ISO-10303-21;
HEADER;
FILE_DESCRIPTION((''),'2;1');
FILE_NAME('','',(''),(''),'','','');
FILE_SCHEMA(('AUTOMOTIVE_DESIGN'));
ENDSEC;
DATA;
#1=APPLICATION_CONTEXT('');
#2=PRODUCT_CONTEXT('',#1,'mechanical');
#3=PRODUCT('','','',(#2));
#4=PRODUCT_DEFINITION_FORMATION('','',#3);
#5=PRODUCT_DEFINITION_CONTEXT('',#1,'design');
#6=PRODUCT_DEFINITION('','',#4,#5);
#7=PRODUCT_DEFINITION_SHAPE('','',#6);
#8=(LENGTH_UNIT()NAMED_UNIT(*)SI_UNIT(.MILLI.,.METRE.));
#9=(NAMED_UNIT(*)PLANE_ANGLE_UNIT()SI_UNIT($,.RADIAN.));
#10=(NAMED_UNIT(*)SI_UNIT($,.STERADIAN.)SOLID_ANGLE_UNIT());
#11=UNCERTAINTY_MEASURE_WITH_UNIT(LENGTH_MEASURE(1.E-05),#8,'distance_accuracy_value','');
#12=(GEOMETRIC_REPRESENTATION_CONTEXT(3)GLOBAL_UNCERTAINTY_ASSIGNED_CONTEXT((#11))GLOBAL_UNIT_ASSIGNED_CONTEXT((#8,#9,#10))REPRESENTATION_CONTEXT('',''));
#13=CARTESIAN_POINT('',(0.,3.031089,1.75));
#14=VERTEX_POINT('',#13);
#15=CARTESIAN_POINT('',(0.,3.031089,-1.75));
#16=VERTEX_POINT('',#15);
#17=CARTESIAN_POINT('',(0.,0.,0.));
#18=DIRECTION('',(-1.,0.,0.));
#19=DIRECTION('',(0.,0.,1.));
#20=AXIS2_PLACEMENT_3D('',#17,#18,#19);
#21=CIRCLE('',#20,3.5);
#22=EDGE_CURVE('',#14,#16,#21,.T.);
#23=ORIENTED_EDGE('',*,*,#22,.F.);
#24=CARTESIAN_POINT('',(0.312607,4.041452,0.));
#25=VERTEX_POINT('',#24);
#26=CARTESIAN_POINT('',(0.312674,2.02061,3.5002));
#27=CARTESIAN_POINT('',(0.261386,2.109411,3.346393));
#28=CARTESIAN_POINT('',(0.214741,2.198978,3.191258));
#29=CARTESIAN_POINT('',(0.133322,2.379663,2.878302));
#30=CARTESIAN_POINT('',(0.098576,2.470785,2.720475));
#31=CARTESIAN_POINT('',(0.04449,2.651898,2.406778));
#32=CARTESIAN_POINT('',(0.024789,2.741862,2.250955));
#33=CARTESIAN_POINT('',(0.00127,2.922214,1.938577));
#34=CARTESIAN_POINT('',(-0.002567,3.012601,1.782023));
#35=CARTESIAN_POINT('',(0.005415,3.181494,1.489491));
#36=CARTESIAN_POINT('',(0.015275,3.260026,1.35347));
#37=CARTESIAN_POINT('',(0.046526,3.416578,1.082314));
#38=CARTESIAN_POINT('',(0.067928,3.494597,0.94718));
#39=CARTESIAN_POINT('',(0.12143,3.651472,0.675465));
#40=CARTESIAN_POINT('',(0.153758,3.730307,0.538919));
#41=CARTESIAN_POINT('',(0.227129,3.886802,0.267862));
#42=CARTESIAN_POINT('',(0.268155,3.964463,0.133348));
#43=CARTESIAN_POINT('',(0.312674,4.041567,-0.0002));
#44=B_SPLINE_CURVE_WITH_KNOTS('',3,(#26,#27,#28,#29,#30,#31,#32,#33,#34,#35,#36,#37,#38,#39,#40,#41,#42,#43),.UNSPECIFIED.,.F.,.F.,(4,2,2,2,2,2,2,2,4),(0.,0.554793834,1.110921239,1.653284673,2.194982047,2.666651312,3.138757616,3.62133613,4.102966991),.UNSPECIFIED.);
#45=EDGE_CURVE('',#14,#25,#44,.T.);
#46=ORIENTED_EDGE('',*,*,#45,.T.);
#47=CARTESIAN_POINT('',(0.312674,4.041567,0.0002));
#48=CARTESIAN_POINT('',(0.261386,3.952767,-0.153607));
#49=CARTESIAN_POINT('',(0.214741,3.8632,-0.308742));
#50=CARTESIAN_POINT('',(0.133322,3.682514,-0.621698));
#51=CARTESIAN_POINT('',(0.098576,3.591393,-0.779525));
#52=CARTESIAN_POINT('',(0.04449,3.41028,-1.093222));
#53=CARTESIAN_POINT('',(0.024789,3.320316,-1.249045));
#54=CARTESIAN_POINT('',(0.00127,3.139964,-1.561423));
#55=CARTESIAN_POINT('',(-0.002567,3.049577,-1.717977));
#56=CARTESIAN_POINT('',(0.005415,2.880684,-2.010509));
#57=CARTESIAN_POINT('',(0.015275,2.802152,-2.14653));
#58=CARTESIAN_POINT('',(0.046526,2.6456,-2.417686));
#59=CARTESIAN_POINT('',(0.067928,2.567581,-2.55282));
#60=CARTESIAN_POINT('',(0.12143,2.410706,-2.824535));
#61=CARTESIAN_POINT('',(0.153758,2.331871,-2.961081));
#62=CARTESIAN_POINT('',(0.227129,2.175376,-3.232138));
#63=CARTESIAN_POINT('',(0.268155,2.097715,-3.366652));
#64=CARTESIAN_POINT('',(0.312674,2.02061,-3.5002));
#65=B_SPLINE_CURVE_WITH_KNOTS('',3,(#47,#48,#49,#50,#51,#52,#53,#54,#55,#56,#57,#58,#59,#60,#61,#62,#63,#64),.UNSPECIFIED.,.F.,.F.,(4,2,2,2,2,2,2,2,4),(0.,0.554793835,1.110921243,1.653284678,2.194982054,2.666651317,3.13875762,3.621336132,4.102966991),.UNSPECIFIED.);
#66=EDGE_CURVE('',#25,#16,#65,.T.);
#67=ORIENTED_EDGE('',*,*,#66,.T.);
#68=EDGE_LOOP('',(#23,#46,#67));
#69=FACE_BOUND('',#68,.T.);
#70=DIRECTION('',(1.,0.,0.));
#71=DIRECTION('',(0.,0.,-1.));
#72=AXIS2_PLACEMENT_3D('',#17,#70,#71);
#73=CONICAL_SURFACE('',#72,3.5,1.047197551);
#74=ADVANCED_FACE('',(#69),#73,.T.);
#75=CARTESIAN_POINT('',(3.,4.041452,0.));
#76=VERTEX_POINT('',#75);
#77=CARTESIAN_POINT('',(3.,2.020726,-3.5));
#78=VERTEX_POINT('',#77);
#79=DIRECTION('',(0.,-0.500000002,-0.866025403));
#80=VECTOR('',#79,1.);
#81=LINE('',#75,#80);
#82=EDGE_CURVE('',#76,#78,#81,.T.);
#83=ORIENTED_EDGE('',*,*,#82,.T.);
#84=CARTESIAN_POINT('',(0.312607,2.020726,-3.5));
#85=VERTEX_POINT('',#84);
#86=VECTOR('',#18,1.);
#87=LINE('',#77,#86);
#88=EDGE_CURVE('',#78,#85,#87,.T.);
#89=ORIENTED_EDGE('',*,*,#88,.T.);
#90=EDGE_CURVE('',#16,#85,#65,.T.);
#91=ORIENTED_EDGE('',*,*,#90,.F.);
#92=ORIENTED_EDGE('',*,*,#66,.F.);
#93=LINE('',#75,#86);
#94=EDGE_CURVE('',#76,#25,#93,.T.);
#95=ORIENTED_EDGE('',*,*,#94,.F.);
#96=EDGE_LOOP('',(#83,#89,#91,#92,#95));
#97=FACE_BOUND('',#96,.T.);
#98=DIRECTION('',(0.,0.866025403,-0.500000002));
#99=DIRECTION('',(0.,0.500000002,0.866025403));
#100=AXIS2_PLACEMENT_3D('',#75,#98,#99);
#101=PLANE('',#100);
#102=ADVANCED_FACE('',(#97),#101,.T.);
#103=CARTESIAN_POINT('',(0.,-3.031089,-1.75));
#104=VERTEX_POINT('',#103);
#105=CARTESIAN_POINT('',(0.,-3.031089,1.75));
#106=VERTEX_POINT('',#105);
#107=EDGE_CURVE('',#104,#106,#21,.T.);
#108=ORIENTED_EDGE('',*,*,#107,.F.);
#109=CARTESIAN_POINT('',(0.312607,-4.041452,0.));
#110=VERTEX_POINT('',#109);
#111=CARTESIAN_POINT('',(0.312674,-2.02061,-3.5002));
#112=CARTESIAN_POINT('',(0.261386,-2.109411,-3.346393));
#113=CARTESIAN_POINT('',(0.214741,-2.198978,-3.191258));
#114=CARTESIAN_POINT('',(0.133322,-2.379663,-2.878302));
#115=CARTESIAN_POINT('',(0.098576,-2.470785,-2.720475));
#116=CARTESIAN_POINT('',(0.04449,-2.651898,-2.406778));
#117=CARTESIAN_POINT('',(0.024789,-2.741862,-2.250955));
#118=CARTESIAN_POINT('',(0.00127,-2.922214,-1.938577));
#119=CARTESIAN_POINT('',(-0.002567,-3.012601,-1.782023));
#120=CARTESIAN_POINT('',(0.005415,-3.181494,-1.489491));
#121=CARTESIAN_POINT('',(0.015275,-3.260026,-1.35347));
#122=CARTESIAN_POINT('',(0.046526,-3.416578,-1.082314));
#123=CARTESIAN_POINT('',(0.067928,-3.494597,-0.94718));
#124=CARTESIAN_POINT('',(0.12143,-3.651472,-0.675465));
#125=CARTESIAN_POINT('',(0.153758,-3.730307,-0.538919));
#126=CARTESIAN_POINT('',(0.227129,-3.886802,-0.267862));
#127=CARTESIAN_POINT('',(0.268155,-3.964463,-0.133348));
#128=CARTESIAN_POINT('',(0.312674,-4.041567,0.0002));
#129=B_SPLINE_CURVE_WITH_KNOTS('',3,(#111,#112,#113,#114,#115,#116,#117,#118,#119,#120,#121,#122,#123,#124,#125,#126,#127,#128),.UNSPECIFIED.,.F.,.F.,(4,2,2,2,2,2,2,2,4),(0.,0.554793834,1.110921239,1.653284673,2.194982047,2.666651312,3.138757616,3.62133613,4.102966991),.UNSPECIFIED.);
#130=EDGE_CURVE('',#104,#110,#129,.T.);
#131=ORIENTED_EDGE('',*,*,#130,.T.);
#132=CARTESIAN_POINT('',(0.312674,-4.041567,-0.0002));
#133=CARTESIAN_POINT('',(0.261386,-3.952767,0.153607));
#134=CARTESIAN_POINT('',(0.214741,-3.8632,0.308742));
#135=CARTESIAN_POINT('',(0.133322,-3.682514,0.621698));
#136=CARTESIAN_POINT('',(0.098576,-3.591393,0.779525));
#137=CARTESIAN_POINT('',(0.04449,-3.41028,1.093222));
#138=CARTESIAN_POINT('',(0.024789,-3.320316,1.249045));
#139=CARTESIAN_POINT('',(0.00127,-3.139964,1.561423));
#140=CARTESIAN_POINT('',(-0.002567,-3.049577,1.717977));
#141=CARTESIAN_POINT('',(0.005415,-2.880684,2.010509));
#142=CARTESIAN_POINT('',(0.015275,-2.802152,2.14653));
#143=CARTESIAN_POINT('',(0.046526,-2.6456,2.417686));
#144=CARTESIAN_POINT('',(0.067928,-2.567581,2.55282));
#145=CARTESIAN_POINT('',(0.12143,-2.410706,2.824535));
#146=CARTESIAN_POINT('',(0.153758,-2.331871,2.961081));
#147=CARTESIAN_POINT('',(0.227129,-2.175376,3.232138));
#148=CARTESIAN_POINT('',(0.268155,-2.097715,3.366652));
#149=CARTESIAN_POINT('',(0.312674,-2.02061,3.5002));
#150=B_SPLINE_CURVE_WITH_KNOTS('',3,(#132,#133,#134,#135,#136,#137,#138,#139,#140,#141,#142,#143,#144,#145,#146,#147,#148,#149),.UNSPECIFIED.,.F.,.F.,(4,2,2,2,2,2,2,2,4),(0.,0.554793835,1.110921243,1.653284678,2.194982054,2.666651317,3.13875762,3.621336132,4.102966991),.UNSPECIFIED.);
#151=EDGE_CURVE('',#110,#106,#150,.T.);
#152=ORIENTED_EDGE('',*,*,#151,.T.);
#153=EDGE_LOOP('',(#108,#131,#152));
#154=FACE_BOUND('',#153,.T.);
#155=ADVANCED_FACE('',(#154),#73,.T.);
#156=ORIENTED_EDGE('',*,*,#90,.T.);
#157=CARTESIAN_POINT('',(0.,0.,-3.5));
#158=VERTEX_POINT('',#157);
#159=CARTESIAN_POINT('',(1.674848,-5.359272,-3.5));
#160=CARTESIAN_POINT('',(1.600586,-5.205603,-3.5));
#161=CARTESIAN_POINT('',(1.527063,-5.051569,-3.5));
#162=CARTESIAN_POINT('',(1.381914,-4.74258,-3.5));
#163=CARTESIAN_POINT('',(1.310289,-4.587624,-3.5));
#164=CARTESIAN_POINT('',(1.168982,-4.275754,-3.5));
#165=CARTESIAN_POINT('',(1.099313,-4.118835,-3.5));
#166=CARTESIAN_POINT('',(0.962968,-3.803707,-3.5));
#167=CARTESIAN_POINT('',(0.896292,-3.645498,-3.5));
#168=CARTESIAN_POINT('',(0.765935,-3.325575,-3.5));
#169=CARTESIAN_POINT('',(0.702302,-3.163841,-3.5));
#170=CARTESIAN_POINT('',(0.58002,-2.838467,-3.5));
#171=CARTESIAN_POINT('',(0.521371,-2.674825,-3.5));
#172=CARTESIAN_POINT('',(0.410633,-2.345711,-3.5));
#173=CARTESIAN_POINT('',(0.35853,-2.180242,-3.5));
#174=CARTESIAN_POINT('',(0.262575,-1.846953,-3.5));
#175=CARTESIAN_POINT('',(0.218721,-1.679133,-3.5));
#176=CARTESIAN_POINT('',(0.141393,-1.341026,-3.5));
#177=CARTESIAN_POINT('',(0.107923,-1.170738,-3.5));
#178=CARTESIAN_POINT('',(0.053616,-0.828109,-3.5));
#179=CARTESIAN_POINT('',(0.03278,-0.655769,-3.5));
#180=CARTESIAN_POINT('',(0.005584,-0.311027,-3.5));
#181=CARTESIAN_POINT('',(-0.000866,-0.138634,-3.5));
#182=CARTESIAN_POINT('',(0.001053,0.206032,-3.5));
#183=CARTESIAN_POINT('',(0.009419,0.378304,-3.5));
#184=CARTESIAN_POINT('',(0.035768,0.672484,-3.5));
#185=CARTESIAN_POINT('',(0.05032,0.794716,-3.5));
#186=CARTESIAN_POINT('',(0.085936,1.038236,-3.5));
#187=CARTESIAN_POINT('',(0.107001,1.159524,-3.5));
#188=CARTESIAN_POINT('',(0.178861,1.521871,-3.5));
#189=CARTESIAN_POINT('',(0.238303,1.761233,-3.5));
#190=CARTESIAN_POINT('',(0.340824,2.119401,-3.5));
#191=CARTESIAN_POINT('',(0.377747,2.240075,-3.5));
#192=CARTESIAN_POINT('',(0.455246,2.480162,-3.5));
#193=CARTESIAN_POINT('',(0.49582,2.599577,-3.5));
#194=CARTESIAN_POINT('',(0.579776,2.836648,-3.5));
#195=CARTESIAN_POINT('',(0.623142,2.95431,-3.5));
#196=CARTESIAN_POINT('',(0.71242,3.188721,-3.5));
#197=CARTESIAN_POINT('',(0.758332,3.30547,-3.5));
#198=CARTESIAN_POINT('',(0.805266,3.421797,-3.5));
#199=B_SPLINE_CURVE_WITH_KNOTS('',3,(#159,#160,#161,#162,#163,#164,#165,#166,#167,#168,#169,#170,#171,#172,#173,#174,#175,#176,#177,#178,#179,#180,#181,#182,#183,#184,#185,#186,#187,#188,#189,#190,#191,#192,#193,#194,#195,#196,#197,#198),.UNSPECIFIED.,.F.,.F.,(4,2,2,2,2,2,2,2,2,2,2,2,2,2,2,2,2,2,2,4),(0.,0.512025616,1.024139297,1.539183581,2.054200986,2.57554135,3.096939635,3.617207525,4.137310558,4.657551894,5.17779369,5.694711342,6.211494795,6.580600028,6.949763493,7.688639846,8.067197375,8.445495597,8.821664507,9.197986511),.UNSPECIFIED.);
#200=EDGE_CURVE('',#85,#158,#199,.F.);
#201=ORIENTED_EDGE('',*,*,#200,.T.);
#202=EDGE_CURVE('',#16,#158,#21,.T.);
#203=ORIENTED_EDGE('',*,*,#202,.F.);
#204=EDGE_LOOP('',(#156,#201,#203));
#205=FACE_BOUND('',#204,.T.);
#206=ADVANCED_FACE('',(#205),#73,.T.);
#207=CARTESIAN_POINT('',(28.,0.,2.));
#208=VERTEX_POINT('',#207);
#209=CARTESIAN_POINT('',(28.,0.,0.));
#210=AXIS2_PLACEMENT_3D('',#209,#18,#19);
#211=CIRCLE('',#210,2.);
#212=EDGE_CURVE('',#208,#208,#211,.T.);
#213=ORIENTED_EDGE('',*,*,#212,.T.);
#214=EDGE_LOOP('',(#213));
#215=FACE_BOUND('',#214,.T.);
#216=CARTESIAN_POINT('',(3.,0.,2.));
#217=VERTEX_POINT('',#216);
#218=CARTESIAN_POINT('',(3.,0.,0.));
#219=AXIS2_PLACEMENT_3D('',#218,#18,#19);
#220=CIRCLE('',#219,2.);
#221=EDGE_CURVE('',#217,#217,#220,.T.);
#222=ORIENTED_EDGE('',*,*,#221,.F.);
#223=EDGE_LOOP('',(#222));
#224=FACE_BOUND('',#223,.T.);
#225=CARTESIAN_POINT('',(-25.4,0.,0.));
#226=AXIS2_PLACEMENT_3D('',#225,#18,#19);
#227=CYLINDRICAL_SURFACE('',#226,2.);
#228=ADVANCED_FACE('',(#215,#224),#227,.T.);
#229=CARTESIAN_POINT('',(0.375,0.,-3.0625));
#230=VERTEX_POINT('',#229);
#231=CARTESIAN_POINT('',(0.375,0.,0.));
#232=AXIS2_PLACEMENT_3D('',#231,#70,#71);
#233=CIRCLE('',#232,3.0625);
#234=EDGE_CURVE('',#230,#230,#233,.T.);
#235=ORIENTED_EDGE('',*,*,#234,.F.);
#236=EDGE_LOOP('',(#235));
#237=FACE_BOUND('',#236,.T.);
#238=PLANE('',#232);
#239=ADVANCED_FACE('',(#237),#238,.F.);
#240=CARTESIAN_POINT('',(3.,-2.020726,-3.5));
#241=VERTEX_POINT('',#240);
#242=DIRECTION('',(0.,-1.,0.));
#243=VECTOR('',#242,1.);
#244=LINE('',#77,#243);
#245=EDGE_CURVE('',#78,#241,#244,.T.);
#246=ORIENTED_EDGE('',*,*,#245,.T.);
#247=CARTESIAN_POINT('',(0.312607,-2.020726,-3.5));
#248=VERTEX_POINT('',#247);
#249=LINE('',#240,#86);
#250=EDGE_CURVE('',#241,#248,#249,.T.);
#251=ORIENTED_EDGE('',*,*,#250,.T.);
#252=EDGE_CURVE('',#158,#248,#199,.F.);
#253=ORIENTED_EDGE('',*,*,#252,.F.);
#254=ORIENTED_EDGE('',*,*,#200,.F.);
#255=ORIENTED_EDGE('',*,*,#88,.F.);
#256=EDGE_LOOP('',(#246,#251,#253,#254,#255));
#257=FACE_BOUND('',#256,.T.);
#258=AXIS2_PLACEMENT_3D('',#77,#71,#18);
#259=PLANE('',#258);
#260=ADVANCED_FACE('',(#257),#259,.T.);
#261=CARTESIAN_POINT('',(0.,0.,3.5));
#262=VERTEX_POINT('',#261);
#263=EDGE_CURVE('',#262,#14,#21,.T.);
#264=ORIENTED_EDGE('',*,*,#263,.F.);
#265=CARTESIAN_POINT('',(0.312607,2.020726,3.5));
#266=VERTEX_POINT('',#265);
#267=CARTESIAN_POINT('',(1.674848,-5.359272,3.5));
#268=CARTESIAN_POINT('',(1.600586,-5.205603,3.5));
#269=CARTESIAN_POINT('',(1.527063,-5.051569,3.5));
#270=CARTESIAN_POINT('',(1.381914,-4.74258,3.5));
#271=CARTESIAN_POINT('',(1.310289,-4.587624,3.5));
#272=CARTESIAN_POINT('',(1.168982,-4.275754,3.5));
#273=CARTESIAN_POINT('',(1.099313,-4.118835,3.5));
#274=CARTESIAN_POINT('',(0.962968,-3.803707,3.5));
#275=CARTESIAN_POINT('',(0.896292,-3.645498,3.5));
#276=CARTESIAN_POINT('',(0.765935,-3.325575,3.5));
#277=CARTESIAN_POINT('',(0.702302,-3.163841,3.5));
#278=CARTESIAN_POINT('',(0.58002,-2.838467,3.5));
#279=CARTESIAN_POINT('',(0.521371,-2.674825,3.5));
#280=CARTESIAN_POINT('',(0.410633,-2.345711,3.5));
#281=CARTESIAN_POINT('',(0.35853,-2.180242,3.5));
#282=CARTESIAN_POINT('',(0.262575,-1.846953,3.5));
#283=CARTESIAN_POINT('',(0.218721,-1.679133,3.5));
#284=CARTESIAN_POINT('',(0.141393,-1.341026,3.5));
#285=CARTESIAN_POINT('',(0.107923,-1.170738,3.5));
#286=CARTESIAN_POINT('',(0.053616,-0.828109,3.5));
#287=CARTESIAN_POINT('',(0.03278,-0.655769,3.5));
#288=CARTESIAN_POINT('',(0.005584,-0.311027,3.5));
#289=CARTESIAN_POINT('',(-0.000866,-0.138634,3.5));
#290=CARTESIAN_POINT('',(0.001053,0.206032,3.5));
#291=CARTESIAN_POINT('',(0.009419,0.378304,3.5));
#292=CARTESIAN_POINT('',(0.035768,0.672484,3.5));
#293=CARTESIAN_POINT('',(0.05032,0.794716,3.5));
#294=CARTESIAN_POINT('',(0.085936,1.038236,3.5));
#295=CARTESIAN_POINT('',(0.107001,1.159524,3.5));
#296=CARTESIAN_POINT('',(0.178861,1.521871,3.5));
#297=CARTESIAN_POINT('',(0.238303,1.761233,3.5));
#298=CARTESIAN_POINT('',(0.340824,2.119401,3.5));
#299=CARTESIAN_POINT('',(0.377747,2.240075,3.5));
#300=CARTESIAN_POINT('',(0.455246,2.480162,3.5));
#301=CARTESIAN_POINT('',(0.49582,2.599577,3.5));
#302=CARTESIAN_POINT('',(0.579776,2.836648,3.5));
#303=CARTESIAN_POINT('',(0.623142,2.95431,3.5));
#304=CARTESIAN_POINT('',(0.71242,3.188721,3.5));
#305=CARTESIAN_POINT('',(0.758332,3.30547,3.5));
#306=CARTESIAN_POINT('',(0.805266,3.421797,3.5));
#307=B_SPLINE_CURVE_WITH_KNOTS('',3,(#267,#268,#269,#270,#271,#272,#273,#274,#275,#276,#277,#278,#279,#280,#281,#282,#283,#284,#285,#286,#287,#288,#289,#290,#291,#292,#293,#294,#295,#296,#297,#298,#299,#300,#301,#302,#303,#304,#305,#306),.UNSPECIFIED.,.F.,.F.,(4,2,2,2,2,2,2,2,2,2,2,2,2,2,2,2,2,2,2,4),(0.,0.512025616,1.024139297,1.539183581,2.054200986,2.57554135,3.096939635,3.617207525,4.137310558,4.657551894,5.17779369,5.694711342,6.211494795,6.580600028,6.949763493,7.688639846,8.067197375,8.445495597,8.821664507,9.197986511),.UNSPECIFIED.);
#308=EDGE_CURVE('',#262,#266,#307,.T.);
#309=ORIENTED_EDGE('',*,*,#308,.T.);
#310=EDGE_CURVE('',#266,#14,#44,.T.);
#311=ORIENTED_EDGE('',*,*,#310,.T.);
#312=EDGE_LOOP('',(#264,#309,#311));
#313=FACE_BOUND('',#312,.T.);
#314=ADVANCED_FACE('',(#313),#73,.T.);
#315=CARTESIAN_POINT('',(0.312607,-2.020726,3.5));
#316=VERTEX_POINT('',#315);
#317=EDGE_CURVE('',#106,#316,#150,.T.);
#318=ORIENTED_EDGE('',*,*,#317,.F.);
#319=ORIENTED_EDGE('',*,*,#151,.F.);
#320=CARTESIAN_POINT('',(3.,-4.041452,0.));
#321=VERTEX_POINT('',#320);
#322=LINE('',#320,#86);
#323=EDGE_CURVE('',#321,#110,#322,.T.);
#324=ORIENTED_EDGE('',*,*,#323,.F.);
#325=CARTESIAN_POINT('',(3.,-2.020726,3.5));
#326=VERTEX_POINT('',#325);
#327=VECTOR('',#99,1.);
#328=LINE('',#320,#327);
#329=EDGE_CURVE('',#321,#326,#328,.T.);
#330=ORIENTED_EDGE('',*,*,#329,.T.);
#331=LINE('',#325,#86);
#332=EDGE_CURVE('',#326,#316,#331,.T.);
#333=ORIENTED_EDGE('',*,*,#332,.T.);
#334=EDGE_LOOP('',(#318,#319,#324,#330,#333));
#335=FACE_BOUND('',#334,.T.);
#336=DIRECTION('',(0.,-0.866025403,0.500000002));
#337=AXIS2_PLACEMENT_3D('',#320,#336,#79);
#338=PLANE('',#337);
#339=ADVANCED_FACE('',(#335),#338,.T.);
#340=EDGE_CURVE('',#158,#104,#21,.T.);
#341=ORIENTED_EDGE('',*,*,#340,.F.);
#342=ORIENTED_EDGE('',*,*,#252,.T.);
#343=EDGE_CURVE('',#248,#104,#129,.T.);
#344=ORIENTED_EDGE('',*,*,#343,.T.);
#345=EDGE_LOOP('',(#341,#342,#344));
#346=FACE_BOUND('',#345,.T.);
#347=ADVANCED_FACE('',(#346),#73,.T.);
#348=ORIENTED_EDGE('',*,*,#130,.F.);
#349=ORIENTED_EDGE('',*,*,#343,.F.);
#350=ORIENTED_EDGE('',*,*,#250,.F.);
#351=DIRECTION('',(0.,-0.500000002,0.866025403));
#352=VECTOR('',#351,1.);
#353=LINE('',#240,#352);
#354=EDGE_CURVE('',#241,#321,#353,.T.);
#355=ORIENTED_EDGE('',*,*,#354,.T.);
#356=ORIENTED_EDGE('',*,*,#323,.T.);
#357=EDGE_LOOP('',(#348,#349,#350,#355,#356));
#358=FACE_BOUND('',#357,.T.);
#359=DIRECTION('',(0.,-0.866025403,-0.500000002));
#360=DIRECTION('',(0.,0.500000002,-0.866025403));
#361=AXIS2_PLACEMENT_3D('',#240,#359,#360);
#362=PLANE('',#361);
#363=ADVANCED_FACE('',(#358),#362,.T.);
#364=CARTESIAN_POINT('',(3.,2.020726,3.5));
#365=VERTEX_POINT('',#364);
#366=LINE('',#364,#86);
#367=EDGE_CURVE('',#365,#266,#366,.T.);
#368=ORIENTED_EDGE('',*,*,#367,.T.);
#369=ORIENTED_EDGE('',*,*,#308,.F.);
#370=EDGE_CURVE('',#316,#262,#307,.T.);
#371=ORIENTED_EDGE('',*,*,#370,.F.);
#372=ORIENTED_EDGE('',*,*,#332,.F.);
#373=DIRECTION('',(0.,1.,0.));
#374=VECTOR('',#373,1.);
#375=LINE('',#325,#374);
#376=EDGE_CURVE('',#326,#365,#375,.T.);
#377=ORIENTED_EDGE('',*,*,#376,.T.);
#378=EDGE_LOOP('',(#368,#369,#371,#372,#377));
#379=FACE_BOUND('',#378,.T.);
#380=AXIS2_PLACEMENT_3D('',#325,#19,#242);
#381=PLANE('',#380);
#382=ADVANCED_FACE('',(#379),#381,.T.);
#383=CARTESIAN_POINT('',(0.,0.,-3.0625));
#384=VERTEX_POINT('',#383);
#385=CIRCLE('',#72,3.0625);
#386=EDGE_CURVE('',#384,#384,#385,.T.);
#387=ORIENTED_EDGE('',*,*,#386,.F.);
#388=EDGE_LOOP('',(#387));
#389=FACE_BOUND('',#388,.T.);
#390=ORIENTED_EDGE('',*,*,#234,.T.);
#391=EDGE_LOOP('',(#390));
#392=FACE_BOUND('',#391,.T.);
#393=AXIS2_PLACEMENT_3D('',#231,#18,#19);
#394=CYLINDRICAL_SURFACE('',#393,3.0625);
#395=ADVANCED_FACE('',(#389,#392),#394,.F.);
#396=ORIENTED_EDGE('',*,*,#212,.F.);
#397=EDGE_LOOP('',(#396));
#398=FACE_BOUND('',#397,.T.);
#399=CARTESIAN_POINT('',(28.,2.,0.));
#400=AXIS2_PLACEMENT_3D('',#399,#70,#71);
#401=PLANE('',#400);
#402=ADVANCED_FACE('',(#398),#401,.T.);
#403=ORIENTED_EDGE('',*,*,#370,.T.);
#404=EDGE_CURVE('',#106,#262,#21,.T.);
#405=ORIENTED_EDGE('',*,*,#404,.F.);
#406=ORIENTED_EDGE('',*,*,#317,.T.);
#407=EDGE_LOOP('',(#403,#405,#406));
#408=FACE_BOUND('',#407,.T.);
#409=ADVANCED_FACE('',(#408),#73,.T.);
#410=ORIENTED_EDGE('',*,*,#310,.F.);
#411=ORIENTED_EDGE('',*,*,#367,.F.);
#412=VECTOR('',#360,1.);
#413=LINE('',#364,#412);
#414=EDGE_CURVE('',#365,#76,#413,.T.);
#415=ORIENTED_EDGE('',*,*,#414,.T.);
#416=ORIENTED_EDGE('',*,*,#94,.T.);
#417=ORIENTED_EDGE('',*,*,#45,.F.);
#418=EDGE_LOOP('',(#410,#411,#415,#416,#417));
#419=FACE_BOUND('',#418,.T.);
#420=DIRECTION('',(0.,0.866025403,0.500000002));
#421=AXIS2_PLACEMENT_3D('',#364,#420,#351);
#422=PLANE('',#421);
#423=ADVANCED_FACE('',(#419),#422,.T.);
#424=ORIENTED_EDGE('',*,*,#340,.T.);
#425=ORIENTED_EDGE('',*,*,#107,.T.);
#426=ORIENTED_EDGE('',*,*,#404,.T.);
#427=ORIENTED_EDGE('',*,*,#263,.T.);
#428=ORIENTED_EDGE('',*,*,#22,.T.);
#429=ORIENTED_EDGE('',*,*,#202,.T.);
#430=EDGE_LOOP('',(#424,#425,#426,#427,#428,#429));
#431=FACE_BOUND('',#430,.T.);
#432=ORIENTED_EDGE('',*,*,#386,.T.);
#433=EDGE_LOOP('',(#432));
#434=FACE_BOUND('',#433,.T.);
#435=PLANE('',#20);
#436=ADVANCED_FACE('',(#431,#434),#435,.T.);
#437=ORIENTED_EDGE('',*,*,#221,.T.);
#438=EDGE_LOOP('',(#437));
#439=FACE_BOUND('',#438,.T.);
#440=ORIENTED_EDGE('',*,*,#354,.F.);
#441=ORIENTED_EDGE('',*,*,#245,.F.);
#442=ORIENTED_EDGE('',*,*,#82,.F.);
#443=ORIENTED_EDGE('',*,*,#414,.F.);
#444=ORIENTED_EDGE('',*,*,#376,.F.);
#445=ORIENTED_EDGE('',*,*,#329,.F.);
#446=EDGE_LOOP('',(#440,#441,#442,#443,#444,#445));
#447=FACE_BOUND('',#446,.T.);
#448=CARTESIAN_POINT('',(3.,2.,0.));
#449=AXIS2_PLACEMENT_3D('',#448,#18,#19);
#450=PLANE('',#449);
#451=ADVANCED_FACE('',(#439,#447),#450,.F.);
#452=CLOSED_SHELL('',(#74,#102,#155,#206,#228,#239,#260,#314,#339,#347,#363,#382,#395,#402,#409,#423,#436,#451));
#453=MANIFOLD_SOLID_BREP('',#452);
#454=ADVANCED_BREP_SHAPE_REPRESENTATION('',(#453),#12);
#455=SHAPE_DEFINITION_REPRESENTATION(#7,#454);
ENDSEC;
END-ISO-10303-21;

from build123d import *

# Parameters (mm, degrees)
SKETCH2_R     = 4.081986143
HEX_DIE_DEPTH = 3
SKETCH4_R     = 3.0625
INDENT_DEPTH  = 0.375


with BuildPart() as part:
    # BodySke → Base-Revolve (revolve)
    with BuildSketch(Plane.XY):
        Polygon((3, 2), (3, 4.041570439), (0.312675839, 4.041570439), (0, 3.5), (0, 0), (28, 0), (28, 2), align=None)
    revolve(axis=Axis((-25.4, 0, 0), (1, 0, 0)))

    # Sketch2 → Hex-Die (cut)
    with BuildSketch(Plane(origin=(0, 0, 0), x_dir=(0, 0, -1), z_dir=(1, 0, 0))):
        Circle(SKETCH2_R)
        Polygon((-3.5, 2.020725951), (0, 4.041451902), (3.5, 2.020725951), (3.5, -2.020725951), (0, -4.041451902), (-3.5, -2.020725951), align=None, mode=Mode.SUBTRACT)
    extrude(amount=HEX_DIE_DEPTH, mode=Mode.SUBTRACT)

    # Sketch4 → Indent (cut)
    with BuildSketch(Plane(origin=(0, 0, 0), x_dir=(0, 0, -1), z_dir=(1, 0, 0))):
        Circle(SKETCH4_R)
    extrude(amount=INDENT_DEPTH, mode=Mode.SUBTRACT)


solid = part.part
